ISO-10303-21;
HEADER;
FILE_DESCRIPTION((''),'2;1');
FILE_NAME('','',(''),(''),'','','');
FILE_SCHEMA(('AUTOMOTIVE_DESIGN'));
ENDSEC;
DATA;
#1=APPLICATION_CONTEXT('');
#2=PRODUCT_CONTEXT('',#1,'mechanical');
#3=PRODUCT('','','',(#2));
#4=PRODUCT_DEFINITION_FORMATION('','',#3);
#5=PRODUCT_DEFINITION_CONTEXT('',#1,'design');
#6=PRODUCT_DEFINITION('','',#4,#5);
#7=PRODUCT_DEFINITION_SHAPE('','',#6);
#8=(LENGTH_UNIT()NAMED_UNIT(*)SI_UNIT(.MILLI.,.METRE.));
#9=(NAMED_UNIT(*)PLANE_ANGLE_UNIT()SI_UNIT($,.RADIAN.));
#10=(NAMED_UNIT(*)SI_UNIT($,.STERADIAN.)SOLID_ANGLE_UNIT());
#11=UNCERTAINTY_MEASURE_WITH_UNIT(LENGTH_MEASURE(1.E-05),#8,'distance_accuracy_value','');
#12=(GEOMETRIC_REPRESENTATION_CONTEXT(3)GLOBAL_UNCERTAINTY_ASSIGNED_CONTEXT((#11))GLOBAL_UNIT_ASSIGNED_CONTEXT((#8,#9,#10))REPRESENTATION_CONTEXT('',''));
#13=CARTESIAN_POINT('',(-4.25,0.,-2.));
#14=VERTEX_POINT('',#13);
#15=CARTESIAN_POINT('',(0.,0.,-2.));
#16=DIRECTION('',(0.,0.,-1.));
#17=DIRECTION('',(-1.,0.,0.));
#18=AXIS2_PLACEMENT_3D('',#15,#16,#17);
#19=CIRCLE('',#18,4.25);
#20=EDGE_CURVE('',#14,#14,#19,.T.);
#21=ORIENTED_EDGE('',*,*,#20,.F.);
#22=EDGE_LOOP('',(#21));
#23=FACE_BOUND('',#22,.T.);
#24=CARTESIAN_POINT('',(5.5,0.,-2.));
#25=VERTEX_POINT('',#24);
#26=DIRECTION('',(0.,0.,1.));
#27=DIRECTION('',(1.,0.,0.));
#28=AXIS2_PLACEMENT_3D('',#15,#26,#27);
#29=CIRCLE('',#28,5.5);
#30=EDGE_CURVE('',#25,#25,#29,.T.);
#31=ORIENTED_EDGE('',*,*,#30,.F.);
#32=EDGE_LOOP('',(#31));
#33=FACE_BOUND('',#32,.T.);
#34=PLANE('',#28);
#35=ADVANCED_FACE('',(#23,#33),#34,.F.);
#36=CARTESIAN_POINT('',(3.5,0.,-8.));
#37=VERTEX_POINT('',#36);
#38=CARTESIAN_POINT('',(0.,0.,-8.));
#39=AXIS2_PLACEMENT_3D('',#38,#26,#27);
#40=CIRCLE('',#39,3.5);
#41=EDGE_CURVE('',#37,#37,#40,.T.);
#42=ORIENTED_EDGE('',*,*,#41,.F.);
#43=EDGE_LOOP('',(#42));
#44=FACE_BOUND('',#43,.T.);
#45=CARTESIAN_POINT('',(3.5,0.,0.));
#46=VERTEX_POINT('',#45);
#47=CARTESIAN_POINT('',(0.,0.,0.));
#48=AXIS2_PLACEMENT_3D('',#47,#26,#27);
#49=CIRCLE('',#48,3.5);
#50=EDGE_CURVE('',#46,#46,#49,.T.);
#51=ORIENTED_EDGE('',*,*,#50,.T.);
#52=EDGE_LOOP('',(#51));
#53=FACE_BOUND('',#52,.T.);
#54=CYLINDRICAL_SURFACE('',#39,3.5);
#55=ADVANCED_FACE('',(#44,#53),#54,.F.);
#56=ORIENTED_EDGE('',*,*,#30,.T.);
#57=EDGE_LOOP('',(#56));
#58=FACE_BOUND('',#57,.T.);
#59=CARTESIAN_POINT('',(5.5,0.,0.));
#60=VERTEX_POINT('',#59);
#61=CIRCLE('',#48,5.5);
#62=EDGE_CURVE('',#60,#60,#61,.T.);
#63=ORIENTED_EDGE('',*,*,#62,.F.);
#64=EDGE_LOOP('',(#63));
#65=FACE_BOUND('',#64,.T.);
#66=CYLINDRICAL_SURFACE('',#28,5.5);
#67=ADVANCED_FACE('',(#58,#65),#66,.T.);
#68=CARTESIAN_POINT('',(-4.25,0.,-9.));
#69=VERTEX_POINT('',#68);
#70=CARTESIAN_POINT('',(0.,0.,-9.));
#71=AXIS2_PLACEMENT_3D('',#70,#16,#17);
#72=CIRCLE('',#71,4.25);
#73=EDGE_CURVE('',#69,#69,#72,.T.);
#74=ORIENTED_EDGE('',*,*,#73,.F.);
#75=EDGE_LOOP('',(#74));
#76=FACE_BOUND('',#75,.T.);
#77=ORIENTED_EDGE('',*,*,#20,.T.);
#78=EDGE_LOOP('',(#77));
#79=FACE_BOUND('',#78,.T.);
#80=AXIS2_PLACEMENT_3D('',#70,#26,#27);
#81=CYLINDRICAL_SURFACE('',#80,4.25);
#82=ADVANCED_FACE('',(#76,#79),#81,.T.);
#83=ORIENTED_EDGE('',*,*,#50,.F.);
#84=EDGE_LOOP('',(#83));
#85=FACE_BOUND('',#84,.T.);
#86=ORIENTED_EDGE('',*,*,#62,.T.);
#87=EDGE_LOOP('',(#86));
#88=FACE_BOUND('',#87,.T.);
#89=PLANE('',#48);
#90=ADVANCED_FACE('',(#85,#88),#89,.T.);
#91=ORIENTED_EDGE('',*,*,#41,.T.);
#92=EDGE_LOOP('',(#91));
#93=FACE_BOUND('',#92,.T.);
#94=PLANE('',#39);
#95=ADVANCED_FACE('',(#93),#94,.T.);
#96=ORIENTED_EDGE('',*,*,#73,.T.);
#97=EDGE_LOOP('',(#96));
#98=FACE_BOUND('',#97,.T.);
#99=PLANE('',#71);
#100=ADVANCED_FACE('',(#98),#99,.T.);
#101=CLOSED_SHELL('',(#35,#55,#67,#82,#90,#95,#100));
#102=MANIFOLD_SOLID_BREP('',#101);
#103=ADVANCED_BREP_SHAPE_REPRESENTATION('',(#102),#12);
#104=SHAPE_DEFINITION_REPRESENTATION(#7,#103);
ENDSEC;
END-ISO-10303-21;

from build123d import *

# Parameters (mm, degrees)
SKETCH1_R           = 5.5
BOSS_EXTRUDE1_DEPTH = 2
SKETCH2_R           = 4.25
BOSS_EXTRUDE2_DEPTH = 7
SKETCH5_R           = 3.5
CUT_EXTRUDE3_DEPTH  = 8


with BuildPart() as part:
    # Sketch1 → Boss-Extrude1 (new body)
    with BuildSketch(Plane.XY):
        Circle(SKETCH1_R)
    extrude(amount=-BOSS_EXTRUDE1_DEPTH)

    # Sketch2 → Boss-Extrude2 (add)
    with BuildSketch(Plane(origin=(0, 0, -2), x_dir=(-1, 0, 0), z_dir=(0, 0, -1))):
        Circle(SKETCH2_R)
    extrude(amount=BOSS_EXTRUDE2_DEPTH)

    # Sketch5 → Cut-Extrude3 (cut)
    with BuildSketch(Plane.XY):
        Circle(SKETCH5_R)
    extrude(amount=-CUT_EXTRUDE3_DEPTH, mode=Mode.SUBTRACT)


solid = part.part
